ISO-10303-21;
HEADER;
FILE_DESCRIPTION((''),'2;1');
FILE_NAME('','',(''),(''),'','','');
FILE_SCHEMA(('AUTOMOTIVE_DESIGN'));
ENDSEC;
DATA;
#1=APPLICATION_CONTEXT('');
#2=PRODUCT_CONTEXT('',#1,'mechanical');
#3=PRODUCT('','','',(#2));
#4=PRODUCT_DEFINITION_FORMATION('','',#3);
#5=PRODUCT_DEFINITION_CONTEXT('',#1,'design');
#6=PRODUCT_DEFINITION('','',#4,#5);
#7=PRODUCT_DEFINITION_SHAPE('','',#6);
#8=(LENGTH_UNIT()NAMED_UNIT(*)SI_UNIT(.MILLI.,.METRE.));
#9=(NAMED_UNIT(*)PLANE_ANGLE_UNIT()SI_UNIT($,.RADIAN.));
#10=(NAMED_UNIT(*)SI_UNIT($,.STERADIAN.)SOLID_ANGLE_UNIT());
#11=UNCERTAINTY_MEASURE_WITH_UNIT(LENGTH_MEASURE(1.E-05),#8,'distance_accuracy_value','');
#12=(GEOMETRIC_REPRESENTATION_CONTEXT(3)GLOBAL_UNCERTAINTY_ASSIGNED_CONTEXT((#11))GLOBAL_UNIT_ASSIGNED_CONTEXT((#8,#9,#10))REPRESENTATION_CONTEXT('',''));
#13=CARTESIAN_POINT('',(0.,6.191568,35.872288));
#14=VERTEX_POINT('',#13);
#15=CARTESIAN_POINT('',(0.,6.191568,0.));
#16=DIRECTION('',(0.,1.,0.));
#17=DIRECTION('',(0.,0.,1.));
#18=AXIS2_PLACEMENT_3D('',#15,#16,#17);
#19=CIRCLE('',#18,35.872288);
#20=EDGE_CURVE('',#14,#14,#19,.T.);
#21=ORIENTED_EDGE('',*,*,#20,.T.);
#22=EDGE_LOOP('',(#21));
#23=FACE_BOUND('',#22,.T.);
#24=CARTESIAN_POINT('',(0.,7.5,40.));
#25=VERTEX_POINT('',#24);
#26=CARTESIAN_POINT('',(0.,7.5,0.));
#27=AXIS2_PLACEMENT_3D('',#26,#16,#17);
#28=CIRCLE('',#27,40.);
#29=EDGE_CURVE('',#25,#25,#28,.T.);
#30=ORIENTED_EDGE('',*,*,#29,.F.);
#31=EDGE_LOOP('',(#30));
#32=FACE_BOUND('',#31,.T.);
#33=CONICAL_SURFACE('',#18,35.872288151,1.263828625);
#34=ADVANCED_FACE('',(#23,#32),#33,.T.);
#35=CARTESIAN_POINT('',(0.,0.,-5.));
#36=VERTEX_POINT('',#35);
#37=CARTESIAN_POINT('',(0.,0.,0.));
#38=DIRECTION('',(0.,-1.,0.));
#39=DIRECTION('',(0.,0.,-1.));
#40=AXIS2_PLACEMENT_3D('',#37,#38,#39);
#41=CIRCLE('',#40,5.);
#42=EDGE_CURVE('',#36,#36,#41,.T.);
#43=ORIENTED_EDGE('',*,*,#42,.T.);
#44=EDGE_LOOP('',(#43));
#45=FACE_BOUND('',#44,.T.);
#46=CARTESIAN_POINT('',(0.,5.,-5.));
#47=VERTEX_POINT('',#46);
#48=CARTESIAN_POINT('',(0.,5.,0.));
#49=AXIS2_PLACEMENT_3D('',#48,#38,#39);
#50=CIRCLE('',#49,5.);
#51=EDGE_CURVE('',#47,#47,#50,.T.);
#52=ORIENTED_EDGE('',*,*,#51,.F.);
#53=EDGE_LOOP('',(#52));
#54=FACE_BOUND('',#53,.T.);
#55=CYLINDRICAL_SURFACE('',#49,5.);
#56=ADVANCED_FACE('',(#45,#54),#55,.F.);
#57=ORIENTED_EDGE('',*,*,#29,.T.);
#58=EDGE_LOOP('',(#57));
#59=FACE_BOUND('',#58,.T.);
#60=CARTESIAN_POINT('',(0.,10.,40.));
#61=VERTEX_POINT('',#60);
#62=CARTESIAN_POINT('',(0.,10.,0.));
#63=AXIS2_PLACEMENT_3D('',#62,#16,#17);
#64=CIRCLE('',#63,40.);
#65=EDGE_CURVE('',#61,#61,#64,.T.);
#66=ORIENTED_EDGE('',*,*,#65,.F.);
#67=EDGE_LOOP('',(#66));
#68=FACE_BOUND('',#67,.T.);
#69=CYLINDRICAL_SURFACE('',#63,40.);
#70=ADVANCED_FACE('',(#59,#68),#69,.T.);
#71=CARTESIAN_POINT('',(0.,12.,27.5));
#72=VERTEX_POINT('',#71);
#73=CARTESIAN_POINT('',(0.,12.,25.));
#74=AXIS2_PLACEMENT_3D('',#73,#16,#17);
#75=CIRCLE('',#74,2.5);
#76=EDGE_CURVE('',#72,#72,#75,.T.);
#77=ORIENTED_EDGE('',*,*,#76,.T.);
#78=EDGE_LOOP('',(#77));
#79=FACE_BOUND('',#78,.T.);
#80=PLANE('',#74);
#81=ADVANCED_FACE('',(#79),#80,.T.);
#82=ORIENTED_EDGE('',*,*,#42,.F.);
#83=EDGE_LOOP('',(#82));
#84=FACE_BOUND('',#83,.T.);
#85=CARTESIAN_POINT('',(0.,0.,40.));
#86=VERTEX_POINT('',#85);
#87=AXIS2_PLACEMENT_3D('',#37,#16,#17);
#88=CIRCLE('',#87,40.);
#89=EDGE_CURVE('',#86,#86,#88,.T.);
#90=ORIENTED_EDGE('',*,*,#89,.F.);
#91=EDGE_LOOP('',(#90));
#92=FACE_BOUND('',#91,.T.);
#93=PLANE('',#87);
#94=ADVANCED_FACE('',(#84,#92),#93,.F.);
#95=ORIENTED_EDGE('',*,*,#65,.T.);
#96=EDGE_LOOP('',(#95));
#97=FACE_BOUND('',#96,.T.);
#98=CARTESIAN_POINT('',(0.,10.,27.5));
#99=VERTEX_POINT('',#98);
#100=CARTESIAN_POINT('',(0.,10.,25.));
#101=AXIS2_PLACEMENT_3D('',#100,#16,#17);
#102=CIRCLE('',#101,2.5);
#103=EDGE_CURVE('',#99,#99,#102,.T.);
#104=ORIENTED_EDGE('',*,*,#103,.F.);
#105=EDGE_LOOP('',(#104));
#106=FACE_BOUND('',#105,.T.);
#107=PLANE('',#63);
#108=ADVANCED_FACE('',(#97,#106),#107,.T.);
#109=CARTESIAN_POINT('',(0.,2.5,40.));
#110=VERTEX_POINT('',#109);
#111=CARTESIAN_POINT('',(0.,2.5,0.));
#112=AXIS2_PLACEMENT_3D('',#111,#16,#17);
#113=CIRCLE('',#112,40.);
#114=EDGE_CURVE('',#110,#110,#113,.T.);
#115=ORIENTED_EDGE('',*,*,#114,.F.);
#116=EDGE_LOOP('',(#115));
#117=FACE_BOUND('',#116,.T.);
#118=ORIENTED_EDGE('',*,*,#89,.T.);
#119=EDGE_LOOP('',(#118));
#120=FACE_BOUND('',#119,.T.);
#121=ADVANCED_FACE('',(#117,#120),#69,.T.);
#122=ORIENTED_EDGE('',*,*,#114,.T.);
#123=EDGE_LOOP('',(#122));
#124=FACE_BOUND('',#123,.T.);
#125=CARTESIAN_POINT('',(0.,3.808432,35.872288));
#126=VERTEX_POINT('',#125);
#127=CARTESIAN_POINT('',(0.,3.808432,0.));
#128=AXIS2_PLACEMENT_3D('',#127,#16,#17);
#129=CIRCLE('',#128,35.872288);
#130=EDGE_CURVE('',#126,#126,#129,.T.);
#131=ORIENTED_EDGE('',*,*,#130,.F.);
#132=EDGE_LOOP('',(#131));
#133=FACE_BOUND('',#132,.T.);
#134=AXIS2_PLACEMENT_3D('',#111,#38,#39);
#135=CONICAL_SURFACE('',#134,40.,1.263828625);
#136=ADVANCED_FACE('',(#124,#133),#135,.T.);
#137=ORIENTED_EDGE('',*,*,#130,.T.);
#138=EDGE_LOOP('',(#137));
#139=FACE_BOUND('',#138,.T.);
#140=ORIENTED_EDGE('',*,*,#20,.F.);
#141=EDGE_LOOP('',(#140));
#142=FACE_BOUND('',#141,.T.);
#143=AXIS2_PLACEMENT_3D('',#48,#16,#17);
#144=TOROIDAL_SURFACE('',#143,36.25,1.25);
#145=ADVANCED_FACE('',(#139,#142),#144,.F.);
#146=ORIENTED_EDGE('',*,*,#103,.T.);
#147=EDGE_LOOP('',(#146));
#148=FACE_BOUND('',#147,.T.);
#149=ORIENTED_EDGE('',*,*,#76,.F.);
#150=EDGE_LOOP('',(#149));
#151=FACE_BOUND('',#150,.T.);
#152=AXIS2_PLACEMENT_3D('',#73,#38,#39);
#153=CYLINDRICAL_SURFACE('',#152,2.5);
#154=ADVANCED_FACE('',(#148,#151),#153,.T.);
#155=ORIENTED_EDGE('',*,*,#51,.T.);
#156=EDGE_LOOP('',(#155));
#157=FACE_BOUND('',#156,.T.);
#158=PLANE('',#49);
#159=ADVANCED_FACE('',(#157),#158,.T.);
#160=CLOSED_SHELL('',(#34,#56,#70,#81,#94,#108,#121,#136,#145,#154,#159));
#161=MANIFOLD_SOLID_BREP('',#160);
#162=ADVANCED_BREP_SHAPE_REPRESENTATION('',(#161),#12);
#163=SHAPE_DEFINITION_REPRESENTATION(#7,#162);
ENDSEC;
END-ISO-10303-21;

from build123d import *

# Parameters (mm, degrees)
SKETCH1_R           = 35
BOSS_EXTRUDE1_DEPTH = 10
SKETCH3_R           = 5
CUT_EXTRUDE1_DEPTH  = 5
SKETCH4_R           = 2.5
BOSS_EXTRUDE2_DEPTH = 2


with BuildPart() as part:
    # Sketch1 → Boss-Extrude1 (new body)
    with BuildSketch(Plane(origin=(0, 0, 0), x_dir=(1, 0, 0), z_dir=(0, 1, 0))):
        Circle(SKETCH1_R)
    extrude(amount=BOSS_EXTRUDE1_DEPTH)

    # Sketch2 → Revolve1 (revolve)
    with BuildSketch(Plane(origin=(0, 0, 0), x_dir=(0, 0, -1), z_dir=(1, 0, 0))):
        with BuildLine():
            Line((35, 10), (40, 10))
            Line((40, 10), (40, 7.5))
            Line((40, 7.5), (35.872288151, 6.191567774))
            ThreePointArc((35.872288151, 6.191567774), (35, 5), (35.872288151, 3.808432226))
            Line((35.872288151, 3.808432226), (40, 2.5))
            Line((40, 2.5), (40, 0))
            Line((40, 0), (35, 0))
            Line((35, 0), (34, 0))
            Line((34, 0), (34, 10))
            Line((34, 10), (35, 10))
        make_face()
    revolve(axis=Axis((0, 10, 0), (0, -1, 0)))

    # Sketch3 → Cut-Extrude1 (cut)
    with BuildSketch(Plane.XZ):
        Circle(SKETCH3_R)
    extrude(amount=-CUT_EXTRUDE1_DEPTH, mode=Mode.SUBTRACT)

    # Sketch4 → Boss-Extrude2 (add)
    with BuildSketch(Plane(origin=(0, 10, 0), x_dir=(1, 0, 0), z_dir=(0, 1, 0))):
        with Locations((0, -25)):
            Circle(SKETCH4_R)
    extrude(amount=BOSS_EXTRUDE2_DEPTH)


solid = part.part
